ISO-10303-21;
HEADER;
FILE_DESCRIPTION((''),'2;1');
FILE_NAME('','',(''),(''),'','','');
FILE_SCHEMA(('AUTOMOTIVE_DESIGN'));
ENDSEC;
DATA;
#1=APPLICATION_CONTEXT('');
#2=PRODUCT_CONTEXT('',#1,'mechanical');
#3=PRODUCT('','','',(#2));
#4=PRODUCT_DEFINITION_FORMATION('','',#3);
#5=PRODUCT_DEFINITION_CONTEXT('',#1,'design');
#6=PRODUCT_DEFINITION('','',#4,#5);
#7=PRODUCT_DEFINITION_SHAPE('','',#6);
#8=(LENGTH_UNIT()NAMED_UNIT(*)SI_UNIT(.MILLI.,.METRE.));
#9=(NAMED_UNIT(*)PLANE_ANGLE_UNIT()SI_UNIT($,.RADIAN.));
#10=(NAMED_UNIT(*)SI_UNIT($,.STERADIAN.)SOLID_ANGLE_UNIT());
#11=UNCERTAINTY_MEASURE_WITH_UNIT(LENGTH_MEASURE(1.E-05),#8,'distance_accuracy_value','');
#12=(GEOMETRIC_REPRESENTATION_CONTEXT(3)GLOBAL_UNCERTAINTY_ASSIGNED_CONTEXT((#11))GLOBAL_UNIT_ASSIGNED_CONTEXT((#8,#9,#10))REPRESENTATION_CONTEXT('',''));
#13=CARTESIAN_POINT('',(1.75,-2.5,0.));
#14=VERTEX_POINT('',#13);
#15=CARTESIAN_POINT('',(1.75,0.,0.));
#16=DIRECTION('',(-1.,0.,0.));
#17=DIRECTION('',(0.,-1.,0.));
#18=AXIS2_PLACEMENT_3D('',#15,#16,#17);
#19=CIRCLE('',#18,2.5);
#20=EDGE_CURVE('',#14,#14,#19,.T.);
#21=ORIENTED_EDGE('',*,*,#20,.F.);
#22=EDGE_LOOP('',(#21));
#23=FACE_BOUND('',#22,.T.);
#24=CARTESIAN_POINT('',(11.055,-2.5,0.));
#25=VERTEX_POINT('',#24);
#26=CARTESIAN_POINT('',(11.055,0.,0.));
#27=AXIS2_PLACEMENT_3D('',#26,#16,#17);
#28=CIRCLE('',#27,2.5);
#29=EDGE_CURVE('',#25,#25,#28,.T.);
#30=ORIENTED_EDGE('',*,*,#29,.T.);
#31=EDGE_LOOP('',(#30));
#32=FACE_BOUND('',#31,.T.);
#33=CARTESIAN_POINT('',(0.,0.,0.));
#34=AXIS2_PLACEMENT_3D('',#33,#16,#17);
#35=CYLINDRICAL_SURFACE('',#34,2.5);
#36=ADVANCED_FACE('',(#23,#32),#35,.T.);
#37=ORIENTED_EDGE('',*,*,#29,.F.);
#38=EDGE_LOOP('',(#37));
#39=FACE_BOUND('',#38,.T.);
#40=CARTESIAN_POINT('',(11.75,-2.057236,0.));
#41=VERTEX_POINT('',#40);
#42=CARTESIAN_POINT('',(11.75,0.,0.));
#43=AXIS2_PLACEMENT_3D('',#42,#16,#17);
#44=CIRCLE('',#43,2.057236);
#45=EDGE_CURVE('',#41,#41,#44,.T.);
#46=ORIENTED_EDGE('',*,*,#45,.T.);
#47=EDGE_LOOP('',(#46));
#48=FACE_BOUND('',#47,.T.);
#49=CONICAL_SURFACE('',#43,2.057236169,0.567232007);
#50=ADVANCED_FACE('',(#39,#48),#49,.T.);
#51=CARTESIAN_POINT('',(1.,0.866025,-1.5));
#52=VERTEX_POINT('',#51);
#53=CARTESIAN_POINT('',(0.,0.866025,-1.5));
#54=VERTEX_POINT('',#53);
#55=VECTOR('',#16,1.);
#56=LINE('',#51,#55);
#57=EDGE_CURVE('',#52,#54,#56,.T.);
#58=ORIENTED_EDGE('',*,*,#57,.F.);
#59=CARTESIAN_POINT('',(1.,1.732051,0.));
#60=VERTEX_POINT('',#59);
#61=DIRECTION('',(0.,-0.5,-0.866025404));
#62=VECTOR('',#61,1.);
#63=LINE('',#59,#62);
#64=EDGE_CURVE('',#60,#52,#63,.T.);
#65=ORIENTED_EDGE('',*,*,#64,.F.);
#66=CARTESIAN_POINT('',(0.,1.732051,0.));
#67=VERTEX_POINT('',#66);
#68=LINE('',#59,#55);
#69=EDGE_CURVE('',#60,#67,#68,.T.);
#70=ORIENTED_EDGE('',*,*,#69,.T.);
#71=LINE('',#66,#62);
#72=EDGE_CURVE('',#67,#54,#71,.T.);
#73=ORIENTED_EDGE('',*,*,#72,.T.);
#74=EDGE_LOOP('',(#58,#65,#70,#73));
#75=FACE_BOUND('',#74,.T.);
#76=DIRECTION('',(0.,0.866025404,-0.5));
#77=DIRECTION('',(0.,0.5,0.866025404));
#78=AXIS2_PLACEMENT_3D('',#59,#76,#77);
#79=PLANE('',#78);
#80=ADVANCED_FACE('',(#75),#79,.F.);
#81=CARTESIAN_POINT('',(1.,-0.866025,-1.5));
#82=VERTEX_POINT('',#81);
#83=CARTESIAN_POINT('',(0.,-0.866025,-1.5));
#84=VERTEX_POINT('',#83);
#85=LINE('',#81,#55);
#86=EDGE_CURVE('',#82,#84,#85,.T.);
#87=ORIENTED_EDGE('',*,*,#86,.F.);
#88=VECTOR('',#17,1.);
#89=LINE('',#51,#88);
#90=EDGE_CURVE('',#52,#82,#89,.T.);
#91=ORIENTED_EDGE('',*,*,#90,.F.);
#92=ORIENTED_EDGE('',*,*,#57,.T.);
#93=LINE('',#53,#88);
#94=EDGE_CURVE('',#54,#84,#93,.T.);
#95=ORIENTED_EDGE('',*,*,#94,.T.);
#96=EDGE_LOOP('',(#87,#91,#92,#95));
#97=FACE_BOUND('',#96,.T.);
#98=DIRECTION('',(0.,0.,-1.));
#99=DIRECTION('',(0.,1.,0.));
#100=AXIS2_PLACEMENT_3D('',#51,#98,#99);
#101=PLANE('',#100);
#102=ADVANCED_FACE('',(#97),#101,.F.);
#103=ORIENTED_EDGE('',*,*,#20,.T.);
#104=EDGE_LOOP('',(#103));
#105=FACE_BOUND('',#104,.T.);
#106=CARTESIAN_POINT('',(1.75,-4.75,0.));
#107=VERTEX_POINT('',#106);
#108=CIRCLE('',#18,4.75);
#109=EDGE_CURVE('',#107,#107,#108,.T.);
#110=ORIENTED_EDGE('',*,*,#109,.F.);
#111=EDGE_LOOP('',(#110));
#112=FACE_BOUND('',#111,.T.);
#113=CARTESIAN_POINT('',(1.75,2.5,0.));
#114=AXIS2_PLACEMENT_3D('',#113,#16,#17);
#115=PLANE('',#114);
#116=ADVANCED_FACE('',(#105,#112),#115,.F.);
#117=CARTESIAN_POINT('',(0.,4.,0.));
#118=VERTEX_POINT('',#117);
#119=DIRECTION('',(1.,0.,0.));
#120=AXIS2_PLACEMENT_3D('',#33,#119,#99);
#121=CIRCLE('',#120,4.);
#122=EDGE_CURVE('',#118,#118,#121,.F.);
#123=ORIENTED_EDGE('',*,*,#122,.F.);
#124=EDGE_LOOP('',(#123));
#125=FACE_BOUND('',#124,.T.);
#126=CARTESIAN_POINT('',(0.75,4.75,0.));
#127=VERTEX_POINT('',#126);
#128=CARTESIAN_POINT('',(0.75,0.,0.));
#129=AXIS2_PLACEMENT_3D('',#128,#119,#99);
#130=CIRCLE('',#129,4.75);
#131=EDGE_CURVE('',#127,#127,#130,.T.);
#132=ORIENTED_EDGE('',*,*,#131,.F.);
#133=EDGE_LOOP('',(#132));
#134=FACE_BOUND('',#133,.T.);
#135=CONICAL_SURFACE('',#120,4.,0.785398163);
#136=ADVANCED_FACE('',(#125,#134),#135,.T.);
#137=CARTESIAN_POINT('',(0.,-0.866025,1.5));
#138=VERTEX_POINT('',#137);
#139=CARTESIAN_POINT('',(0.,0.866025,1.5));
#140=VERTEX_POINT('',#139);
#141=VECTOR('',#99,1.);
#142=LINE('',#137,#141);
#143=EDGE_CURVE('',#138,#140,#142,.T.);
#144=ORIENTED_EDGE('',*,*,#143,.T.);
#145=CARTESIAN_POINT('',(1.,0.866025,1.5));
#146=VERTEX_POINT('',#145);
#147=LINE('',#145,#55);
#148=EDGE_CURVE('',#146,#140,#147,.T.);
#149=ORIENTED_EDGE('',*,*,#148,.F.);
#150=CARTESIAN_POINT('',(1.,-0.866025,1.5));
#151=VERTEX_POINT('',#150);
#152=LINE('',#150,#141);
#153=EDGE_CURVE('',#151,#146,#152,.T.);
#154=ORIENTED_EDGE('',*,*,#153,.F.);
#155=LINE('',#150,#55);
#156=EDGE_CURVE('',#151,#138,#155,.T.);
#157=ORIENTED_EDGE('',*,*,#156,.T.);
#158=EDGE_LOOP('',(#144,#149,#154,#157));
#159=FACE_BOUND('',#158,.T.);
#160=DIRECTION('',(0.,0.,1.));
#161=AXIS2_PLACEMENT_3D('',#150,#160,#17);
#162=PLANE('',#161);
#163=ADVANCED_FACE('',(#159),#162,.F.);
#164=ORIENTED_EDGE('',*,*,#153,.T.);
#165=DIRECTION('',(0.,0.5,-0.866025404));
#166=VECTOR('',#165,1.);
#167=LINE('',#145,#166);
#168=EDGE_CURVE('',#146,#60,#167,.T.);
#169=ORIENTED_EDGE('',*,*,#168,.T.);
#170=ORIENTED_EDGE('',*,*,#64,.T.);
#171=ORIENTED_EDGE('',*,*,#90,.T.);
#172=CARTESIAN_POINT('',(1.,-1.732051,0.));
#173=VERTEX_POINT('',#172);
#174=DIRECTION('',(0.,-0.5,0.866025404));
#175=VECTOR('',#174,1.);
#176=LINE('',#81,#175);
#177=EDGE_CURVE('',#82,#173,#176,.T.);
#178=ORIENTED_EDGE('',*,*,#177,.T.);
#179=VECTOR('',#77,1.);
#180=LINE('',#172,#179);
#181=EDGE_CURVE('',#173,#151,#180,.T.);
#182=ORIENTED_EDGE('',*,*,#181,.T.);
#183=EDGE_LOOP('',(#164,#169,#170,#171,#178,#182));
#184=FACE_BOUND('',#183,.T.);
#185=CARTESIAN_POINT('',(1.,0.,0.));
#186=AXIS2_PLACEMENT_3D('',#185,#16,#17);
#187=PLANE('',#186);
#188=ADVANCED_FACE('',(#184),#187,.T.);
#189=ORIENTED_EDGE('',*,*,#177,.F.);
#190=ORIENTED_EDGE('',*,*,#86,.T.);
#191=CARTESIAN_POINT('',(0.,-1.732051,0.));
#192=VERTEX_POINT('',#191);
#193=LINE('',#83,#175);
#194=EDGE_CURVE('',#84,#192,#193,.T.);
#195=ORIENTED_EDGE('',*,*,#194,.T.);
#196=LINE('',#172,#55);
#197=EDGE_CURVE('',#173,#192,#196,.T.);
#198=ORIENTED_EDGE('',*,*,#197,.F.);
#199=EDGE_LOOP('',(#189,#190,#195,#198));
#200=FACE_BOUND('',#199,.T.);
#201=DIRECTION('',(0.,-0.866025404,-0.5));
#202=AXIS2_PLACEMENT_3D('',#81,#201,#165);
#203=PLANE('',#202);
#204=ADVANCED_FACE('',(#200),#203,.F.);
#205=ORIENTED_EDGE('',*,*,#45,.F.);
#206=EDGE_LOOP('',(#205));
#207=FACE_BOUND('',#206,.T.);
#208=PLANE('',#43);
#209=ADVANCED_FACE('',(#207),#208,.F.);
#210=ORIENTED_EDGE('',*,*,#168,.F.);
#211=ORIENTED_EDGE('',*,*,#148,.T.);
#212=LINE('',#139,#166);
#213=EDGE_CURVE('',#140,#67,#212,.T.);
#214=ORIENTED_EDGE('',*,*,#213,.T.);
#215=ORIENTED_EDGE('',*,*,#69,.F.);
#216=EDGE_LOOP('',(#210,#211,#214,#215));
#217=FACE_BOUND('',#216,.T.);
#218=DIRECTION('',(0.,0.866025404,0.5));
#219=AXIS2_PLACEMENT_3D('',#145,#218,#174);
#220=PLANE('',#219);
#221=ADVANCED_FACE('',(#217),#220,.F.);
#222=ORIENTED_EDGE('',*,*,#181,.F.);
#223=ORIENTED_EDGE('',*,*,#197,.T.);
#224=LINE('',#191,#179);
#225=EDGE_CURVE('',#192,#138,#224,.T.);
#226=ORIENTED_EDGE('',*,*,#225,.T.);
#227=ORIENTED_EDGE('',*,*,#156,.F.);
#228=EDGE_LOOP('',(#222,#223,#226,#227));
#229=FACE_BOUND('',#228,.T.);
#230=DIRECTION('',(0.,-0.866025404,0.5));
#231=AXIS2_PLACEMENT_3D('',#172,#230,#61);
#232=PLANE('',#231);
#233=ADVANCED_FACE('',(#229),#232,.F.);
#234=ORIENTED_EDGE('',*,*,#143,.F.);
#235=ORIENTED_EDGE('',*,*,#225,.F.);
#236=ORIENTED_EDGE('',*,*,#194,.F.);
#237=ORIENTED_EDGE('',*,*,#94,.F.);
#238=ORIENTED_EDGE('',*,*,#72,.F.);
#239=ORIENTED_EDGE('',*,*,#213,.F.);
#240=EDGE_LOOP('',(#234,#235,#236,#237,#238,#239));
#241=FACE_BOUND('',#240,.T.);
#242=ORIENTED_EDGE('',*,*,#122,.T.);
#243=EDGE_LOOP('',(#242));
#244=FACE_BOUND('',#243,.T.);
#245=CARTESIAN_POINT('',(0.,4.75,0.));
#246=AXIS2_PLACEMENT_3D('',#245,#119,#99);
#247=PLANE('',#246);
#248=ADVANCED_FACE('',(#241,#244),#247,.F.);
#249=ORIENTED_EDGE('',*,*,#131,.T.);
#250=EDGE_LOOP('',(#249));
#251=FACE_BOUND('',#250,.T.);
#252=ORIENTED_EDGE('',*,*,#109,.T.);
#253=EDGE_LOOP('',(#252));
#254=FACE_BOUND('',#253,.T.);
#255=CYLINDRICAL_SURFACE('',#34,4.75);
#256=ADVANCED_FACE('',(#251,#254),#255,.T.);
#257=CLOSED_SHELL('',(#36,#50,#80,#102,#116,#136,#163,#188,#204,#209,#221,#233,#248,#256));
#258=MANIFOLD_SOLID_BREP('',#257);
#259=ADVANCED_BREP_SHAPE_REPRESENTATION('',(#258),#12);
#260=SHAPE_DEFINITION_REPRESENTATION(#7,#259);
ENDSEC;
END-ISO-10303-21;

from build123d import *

# Parameters (mm, degrees)
CUT_EXTRUDE1_DEPTH = 1
CHAMFER1_SIZE      = 0.75


with BuildPart() as part:
    # Sketch1 → Revolve1 (revolve)
    with BuildSketch(Plane.XY):
        Polygon((11.75, 0), (11.75, 2.057236169), (11.055, 2.5), (1.75, 2.5), (1.75, 4.75), (0, 4.75), (0, 0), align=None)
    revolve(axis=Axis((0, 0, 0), (1, 0, 0)))

    # Sketch5 → Cut-Extrude1 (cut)
    with BuildSketch(Plane.ZY):
        Polygon((1.5, -0.866025404), (1.5, 0.866025404), (0, 1.732050808), (-1.5, 0.866025404), (-1.5, -0.866025404), (0, -1.732050808), align=None)
    extrude(amount=-CUT_EXTRUDE1_DEPTH, mode=Mode.SUBTRACT)

    # Chamfer1
    chamfer1_edges = [part.edges().sort_by_distance(p)[0] for p in [
        (0, -4.75, 0),
    ]]
    chamfer(chamfer1_edges, length=CHAMFER1_SIZE)


solid = part.part
